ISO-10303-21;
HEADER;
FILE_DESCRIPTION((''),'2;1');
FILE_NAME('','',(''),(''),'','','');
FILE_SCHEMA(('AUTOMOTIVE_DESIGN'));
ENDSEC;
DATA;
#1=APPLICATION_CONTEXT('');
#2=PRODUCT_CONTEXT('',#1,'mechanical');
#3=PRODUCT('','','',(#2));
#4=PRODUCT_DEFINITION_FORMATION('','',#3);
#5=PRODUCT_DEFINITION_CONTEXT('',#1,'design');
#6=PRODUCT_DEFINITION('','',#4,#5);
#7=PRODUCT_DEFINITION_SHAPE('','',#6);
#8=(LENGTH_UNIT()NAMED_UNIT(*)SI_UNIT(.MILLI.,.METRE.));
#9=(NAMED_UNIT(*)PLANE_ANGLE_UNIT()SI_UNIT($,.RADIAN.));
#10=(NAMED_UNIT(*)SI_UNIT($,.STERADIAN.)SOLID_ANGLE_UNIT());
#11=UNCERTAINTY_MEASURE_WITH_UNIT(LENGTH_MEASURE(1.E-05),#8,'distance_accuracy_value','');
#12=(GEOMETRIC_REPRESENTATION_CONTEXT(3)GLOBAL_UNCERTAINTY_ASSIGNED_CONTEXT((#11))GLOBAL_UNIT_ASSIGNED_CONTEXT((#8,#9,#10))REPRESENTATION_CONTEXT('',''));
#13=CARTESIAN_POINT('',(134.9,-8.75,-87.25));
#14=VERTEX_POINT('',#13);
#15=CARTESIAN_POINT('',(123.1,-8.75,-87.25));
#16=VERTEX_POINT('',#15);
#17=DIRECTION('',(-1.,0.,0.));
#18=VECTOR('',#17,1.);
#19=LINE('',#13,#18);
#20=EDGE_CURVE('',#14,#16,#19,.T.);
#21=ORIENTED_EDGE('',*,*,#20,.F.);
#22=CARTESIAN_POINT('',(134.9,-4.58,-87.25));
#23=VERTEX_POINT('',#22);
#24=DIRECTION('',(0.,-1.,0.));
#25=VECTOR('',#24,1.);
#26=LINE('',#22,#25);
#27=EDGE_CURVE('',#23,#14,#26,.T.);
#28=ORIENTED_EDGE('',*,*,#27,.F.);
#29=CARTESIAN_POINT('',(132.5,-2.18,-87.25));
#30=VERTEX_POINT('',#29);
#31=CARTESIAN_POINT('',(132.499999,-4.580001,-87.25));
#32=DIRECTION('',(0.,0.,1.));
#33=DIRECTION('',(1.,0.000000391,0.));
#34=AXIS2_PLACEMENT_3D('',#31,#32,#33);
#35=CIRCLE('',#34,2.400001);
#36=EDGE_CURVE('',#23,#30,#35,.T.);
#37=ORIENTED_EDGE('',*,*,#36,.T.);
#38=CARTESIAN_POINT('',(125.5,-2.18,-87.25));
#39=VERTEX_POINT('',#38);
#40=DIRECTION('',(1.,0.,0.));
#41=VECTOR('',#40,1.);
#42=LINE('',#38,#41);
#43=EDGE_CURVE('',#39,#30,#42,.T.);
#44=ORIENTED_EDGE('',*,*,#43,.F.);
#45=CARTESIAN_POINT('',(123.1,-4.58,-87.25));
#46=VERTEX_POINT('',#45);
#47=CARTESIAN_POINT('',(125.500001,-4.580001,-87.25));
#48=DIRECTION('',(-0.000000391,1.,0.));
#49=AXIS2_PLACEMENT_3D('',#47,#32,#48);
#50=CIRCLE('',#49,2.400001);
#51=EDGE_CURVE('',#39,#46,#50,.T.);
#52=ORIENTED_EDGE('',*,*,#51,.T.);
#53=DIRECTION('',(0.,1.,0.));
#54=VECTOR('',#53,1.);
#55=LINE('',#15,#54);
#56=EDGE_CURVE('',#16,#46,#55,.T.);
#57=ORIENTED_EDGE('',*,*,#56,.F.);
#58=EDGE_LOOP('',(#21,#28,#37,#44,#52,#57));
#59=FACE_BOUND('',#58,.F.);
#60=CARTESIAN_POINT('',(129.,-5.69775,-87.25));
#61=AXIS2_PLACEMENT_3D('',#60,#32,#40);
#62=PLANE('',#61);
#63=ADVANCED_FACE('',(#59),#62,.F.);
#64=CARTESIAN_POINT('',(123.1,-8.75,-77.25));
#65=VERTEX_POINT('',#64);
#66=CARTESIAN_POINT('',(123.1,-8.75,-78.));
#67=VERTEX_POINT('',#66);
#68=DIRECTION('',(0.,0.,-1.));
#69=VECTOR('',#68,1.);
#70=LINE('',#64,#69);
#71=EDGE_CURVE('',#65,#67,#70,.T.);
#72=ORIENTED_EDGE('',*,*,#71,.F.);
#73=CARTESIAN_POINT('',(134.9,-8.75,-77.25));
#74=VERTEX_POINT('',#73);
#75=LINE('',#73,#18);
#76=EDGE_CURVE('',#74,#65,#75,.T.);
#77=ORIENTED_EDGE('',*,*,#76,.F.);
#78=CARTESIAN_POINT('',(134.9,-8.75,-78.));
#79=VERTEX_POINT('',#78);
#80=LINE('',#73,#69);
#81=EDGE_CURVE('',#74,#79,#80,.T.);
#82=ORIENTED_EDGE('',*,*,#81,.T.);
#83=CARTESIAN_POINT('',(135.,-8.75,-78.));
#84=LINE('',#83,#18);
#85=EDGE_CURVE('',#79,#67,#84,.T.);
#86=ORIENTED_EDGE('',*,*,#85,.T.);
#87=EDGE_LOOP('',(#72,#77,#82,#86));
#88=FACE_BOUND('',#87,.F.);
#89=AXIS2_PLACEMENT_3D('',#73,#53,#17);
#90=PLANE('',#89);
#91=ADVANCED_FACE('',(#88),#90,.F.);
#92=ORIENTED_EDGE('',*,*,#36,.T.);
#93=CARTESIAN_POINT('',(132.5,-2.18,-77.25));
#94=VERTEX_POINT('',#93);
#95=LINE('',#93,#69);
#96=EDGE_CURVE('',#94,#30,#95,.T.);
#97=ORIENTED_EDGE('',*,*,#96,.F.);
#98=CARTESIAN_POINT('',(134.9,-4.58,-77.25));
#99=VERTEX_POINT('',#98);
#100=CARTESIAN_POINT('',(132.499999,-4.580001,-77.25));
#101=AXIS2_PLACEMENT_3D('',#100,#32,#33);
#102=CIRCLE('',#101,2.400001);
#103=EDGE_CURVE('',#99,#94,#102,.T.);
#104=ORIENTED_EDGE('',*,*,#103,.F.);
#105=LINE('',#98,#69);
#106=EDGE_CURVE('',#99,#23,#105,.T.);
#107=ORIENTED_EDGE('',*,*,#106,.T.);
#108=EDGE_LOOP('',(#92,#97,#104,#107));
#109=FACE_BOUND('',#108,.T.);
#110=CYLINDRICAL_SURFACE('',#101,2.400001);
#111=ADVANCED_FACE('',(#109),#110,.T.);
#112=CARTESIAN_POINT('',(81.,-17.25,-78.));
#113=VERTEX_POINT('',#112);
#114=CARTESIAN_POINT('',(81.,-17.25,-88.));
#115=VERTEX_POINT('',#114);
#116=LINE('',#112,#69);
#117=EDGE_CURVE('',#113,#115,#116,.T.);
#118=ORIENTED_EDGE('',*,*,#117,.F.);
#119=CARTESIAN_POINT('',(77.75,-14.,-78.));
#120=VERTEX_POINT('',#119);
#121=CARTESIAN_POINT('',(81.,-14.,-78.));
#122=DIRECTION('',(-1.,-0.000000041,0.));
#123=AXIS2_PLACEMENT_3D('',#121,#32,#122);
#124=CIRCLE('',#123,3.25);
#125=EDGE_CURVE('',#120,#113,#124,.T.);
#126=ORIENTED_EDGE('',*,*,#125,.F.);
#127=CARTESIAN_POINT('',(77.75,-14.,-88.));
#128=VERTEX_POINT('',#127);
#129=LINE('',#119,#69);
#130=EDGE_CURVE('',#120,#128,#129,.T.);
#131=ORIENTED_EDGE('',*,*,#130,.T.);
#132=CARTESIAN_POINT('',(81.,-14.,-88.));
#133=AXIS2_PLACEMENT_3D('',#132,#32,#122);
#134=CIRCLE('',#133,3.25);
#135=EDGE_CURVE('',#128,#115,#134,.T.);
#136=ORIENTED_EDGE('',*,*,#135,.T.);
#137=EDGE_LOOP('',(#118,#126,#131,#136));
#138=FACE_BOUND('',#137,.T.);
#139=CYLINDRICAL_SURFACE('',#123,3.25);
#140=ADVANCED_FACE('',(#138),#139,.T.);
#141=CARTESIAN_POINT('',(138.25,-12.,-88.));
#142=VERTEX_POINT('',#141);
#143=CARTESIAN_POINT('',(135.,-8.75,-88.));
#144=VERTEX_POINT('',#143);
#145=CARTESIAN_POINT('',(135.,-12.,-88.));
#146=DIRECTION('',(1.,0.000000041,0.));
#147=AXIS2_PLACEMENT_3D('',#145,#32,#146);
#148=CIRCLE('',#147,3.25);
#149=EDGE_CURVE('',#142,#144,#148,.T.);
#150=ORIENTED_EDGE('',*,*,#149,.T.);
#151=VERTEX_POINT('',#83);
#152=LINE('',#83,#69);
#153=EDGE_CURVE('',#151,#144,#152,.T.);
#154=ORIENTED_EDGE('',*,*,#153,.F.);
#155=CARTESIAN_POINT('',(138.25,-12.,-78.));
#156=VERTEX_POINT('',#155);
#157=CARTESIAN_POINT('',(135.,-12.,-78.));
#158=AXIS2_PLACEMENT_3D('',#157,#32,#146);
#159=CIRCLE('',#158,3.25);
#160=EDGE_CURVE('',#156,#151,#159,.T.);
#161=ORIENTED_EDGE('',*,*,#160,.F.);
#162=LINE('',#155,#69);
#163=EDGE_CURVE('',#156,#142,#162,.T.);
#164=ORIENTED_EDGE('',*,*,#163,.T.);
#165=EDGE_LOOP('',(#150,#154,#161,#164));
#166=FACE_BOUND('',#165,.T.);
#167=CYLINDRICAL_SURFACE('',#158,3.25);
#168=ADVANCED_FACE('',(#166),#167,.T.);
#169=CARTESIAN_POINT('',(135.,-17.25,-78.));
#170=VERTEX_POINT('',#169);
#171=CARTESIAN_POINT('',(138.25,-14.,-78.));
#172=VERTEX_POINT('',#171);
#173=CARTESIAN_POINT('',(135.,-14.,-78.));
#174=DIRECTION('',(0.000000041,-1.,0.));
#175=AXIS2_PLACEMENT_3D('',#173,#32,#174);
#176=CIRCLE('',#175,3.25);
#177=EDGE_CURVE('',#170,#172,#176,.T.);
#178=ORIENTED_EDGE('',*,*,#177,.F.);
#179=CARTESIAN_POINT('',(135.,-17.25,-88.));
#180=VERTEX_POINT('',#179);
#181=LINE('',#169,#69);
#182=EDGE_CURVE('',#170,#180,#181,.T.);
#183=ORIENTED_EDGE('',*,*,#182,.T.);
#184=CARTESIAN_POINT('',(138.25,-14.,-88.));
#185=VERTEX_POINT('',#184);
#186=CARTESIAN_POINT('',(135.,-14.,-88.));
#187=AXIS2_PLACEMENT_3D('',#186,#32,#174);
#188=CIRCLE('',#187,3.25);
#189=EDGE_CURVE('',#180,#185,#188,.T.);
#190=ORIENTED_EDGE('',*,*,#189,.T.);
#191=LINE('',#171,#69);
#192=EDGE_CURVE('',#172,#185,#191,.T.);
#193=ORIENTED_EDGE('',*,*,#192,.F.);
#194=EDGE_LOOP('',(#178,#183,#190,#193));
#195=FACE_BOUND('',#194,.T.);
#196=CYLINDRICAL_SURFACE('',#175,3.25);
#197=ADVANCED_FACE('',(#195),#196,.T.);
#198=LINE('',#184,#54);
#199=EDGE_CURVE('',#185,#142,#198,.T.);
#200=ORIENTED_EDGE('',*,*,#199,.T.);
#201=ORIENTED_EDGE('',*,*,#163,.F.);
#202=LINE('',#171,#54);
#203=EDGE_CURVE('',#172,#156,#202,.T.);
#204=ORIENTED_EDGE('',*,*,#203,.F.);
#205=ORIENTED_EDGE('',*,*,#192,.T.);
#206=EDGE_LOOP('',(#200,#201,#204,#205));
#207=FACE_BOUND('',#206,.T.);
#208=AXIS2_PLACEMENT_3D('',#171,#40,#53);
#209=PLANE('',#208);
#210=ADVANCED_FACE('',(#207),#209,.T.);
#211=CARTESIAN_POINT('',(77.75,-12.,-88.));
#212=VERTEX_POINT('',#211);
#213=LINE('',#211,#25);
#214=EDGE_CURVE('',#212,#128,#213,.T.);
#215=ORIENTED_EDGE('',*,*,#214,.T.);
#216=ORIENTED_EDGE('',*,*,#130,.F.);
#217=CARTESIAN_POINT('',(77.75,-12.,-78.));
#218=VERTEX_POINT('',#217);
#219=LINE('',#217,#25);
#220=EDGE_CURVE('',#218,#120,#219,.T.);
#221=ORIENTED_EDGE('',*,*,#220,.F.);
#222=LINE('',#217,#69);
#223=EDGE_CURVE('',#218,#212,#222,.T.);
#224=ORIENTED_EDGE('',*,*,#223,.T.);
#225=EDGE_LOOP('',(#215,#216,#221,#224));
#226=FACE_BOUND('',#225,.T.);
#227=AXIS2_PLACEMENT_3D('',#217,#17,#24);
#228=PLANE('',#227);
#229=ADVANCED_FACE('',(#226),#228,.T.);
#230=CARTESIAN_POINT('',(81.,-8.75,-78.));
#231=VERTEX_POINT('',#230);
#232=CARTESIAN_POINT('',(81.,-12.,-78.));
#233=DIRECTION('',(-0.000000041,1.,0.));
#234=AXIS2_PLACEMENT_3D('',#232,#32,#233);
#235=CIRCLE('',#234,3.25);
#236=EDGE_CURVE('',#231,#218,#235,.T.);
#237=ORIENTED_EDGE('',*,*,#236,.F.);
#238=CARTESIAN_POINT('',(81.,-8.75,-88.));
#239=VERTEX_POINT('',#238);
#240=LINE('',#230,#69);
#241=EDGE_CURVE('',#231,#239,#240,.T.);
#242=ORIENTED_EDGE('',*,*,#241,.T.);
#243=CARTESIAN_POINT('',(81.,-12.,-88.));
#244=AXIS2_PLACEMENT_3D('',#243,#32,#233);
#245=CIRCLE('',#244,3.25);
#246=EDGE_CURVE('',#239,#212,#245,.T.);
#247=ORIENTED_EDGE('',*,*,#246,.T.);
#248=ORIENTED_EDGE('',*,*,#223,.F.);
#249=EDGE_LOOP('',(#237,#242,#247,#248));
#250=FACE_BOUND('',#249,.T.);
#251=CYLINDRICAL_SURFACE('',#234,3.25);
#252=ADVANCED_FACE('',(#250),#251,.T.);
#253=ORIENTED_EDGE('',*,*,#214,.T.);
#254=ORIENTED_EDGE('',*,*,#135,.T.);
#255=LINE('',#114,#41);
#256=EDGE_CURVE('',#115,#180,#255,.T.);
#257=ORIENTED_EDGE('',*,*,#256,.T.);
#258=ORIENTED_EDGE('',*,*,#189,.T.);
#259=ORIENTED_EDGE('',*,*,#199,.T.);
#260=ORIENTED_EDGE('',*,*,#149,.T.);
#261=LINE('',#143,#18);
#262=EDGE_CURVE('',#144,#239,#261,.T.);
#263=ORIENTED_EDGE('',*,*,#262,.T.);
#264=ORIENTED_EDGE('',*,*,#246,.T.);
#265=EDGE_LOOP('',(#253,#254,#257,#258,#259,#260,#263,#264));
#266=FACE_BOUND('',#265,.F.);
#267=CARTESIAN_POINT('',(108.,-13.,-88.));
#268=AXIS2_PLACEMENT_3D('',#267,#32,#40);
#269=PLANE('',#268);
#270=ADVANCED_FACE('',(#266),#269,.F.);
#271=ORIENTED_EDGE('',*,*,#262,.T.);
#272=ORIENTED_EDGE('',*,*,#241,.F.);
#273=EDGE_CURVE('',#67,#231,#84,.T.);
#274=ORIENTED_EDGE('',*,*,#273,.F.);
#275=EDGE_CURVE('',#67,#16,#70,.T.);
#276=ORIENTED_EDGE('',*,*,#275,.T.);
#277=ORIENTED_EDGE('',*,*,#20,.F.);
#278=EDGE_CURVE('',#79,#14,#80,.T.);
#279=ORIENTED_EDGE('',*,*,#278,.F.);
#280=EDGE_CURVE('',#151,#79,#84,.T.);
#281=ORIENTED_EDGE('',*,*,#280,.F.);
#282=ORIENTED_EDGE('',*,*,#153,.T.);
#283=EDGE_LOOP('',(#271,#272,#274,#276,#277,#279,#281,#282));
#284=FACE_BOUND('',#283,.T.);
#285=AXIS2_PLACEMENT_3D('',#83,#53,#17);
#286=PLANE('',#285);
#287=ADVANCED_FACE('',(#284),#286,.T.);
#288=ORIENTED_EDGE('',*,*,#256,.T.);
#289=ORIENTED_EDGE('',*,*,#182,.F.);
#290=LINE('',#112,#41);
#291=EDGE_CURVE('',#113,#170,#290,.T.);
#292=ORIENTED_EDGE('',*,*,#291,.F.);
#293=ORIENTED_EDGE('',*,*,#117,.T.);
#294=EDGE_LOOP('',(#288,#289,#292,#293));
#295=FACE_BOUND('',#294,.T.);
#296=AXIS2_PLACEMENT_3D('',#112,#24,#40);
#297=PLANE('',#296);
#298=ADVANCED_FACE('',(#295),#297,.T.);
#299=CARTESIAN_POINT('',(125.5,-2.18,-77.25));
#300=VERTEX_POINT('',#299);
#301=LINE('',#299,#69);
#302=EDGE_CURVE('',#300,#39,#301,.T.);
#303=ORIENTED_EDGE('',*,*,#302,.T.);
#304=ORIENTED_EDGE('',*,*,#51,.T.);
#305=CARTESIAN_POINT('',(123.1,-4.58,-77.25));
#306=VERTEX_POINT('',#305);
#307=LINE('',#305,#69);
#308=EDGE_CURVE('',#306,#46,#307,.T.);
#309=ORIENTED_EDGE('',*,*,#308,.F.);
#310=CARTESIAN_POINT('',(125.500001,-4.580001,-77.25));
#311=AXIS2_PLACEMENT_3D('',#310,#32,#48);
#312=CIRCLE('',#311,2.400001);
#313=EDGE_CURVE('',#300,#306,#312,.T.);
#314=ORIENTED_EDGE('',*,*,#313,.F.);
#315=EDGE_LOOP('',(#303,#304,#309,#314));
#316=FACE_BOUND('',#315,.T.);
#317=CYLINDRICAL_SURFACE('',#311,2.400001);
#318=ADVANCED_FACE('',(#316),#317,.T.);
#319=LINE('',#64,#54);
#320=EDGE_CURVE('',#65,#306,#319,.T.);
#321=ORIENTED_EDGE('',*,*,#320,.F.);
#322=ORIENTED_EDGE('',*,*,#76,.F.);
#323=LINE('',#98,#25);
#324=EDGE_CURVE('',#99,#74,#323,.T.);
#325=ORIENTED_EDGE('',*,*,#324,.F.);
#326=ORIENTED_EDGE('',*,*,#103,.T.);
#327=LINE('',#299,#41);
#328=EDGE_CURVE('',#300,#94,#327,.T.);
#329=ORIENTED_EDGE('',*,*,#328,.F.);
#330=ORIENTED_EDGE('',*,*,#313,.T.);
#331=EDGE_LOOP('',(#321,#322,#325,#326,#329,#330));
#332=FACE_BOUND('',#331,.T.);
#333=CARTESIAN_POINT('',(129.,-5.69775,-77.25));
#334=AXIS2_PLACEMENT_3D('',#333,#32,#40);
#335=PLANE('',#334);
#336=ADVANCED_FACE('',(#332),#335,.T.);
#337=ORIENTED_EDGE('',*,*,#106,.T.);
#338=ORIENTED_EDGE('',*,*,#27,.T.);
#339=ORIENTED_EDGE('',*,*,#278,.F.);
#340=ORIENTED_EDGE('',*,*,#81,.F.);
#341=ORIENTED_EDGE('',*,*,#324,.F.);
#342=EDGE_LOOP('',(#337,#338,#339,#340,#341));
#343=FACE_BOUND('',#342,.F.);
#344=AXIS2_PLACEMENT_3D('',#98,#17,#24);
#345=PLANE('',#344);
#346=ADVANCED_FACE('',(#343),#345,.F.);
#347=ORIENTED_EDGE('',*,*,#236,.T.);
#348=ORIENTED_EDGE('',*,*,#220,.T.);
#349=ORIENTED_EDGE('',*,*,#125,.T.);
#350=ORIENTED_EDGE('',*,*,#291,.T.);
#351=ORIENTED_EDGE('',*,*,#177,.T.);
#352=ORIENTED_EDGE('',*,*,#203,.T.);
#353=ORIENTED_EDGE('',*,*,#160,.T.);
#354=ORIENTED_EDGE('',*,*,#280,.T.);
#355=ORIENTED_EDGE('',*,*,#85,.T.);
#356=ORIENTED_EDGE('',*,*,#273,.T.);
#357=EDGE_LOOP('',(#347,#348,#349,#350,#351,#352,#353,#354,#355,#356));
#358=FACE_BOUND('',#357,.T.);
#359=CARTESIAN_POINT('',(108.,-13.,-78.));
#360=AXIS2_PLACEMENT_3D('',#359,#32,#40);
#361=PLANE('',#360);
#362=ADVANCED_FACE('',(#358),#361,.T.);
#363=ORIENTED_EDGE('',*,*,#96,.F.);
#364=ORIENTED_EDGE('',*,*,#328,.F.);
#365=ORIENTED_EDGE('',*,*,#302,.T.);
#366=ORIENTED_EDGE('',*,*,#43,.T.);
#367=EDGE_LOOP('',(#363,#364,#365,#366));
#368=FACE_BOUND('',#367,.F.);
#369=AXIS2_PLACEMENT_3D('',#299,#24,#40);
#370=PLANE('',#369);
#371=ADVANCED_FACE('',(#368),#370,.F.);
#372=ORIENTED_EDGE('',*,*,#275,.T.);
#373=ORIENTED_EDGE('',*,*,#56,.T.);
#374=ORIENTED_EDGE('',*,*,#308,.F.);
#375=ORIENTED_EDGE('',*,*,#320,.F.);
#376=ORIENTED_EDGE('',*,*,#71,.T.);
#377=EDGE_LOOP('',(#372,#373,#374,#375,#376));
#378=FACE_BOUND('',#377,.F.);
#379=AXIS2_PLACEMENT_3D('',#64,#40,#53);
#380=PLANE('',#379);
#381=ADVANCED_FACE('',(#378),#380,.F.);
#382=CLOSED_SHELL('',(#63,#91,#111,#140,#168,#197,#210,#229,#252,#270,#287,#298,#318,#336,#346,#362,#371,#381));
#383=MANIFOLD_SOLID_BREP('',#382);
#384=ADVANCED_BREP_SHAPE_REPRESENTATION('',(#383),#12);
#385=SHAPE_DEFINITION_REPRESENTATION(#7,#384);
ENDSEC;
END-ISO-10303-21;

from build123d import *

# Parameters (mm, degrees)
EXTRUDE209_DEPTH = 10
EXTRUDE208_DEPTH = 10


with BuildPart() as microusbcut:
    # Sketch210 → Extrude209 (new body)
    with BuildSketch(Plane.XY.offset(-78)):
        with BuildLine():
            ThreePointArc((81, -8.75), (78.701903, -9.701903), (77.75, -12))
            Line((77.75, -12), (77.75, -14))
            ThreePointArc((77.75, -14), (78.701903, -16.298097), (81, -17.25))
            Line((81, -17.25), (135, -17.25))
            ThreePointArc((135, -17.25), (137.298097, -16.298097), (138.25, -14))
            Line((138.25, -14), (138.25, -12))
            ThreePointArc((138.25, -12), (137.298097, -9.701903), (135, -8.75))
            Line((135, -8.75), (81, -8.75))
        make_face()
    extrude(amount=-EXTRUDE209_DEPTH)


with BuildPart() as wirecuts:
    # Sketch209 → Extrude208 (new body)
    with BuildSketch(Plane.XY.offset(-77.25)):
        with BuildLine():
            ThreePointArc((125.5, -2.18), (123.802944, -2.882944), (123.1, -4.58))
            Line((123.1, -8.75), (123.1, -4.58))
            Line((134.9, -8.75), (123.1, -8.75))
            Line((134.9, -4.58), (134.9, -8.75))
            ThreePointArc((134.9, -4.58), (134.197056, -2.882944), (132.5, -2.18))
            Line((125.5, -2.18), (132.5, -2.18))
        make_face()
    extrude(amount=-EXTRUDE208_DEPTH)

    # Fusion202: union microUSBCut
    add(microusbcut.part)


solid = wirecuts.part
